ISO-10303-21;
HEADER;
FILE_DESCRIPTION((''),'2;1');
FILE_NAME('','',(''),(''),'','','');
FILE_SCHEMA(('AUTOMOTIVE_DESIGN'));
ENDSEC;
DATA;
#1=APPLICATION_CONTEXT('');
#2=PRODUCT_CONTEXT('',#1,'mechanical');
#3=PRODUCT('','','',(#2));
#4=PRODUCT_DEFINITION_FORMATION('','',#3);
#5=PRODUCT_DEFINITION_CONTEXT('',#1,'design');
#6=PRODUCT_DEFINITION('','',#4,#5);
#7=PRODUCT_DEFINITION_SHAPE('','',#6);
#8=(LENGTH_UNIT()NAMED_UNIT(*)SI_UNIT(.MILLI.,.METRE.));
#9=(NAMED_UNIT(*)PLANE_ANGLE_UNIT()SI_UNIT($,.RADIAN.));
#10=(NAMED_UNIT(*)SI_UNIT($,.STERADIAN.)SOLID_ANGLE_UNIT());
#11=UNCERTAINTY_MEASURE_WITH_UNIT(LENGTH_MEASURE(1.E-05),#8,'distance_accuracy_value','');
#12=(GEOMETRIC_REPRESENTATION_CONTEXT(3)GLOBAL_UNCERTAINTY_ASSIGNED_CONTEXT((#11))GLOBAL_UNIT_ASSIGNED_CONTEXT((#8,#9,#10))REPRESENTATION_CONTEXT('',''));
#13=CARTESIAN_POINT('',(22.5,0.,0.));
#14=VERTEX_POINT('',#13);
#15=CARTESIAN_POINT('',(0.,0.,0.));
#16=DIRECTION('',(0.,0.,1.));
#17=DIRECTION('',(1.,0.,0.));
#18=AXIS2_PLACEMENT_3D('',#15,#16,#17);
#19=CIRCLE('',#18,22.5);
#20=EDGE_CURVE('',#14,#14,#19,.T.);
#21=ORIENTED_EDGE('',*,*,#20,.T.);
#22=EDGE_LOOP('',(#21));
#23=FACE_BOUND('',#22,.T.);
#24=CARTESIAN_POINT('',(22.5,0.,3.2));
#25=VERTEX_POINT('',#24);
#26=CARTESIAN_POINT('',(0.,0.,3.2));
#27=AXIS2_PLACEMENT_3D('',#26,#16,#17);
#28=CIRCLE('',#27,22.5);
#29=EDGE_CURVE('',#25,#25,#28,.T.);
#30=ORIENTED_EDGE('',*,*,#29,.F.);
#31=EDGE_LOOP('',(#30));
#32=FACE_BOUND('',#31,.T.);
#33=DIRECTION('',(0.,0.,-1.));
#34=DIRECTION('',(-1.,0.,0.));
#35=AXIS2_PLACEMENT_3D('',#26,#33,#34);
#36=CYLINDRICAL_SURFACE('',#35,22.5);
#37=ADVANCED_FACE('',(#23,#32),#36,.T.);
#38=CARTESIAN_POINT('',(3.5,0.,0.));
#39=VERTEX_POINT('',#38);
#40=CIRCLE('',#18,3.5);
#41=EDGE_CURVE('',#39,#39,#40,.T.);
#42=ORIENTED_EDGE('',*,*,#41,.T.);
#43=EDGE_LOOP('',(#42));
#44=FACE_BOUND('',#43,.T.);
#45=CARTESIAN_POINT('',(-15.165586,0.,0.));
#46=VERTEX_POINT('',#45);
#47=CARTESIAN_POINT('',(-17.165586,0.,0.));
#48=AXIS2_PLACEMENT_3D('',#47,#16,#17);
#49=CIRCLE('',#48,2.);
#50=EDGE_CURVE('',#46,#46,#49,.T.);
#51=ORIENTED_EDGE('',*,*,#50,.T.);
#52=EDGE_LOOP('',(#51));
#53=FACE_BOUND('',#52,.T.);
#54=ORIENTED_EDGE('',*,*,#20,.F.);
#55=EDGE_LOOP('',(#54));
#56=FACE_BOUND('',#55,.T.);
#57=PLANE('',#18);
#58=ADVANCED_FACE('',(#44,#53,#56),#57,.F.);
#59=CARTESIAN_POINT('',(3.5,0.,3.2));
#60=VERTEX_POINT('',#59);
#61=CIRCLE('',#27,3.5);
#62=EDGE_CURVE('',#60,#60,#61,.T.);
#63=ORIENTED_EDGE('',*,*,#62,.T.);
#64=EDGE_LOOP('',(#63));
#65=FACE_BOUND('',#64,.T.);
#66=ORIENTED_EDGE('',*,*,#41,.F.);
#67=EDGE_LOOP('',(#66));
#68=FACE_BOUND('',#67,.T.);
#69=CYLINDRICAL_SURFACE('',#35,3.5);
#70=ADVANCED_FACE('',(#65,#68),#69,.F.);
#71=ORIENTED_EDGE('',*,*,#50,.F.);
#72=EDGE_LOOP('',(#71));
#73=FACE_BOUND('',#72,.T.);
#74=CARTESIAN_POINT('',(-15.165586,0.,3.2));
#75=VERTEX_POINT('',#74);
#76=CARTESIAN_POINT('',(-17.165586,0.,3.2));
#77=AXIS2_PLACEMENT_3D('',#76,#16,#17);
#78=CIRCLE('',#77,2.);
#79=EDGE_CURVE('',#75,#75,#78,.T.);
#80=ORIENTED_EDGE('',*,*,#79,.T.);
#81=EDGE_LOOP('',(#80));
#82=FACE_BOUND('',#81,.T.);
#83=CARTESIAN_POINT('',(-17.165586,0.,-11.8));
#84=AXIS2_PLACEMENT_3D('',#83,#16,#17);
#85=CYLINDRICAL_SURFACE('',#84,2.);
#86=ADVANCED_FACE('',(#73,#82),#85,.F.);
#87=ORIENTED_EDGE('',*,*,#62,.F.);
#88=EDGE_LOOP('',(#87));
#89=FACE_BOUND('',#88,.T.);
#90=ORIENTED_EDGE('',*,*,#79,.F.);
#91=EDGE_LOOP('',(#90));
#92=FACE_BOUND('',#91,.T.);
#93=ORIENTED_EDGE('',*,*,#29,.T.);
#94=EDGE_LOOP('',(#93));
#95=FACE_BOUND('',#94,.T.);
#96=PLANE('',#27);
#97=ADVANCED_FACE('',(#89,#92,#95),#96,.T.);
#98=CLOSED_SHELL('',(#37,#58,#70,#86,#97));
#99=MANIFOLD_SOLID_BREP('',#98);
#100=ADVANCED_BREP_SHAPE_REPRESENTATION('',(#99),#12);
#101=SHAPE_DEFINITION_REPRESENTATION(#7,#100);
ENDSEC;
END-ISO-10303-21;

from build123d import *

# Parameters (mm, degrees)
SKETCH_2_R          = 22.5
SKETCH_2_R_2        = 3.5
EXTRUDE_2_DEPTH     = 3.2
SKETCH_4_R          = 2
CUT_EXTRUDE_1_DEPTH = 15


with BuildPart() as part:
    # Эскиз2 → Вытянуть2 (new body)
    with BuildSketch(Plane.XY):
        Circle(SKETCH_2_R)
        Circle(SKETCH_2_R_2, mode=Mode.SUBTRACT)
    extrude(amount=EXTRUDE_2_DEPTH)

    # Эскиз4 → Вырез-Вытянуть1 (cut)
    with BuildSketch(Plane.XY.offset(3.2)):
        with Locations((-17.165585922, 0)):
            Circle(SKETCH_4_R)
    extrude(amount=-CUT_EXTRUDE_1_DEPTH, mode=Mode.SUBTRACT)


solid = part.part
